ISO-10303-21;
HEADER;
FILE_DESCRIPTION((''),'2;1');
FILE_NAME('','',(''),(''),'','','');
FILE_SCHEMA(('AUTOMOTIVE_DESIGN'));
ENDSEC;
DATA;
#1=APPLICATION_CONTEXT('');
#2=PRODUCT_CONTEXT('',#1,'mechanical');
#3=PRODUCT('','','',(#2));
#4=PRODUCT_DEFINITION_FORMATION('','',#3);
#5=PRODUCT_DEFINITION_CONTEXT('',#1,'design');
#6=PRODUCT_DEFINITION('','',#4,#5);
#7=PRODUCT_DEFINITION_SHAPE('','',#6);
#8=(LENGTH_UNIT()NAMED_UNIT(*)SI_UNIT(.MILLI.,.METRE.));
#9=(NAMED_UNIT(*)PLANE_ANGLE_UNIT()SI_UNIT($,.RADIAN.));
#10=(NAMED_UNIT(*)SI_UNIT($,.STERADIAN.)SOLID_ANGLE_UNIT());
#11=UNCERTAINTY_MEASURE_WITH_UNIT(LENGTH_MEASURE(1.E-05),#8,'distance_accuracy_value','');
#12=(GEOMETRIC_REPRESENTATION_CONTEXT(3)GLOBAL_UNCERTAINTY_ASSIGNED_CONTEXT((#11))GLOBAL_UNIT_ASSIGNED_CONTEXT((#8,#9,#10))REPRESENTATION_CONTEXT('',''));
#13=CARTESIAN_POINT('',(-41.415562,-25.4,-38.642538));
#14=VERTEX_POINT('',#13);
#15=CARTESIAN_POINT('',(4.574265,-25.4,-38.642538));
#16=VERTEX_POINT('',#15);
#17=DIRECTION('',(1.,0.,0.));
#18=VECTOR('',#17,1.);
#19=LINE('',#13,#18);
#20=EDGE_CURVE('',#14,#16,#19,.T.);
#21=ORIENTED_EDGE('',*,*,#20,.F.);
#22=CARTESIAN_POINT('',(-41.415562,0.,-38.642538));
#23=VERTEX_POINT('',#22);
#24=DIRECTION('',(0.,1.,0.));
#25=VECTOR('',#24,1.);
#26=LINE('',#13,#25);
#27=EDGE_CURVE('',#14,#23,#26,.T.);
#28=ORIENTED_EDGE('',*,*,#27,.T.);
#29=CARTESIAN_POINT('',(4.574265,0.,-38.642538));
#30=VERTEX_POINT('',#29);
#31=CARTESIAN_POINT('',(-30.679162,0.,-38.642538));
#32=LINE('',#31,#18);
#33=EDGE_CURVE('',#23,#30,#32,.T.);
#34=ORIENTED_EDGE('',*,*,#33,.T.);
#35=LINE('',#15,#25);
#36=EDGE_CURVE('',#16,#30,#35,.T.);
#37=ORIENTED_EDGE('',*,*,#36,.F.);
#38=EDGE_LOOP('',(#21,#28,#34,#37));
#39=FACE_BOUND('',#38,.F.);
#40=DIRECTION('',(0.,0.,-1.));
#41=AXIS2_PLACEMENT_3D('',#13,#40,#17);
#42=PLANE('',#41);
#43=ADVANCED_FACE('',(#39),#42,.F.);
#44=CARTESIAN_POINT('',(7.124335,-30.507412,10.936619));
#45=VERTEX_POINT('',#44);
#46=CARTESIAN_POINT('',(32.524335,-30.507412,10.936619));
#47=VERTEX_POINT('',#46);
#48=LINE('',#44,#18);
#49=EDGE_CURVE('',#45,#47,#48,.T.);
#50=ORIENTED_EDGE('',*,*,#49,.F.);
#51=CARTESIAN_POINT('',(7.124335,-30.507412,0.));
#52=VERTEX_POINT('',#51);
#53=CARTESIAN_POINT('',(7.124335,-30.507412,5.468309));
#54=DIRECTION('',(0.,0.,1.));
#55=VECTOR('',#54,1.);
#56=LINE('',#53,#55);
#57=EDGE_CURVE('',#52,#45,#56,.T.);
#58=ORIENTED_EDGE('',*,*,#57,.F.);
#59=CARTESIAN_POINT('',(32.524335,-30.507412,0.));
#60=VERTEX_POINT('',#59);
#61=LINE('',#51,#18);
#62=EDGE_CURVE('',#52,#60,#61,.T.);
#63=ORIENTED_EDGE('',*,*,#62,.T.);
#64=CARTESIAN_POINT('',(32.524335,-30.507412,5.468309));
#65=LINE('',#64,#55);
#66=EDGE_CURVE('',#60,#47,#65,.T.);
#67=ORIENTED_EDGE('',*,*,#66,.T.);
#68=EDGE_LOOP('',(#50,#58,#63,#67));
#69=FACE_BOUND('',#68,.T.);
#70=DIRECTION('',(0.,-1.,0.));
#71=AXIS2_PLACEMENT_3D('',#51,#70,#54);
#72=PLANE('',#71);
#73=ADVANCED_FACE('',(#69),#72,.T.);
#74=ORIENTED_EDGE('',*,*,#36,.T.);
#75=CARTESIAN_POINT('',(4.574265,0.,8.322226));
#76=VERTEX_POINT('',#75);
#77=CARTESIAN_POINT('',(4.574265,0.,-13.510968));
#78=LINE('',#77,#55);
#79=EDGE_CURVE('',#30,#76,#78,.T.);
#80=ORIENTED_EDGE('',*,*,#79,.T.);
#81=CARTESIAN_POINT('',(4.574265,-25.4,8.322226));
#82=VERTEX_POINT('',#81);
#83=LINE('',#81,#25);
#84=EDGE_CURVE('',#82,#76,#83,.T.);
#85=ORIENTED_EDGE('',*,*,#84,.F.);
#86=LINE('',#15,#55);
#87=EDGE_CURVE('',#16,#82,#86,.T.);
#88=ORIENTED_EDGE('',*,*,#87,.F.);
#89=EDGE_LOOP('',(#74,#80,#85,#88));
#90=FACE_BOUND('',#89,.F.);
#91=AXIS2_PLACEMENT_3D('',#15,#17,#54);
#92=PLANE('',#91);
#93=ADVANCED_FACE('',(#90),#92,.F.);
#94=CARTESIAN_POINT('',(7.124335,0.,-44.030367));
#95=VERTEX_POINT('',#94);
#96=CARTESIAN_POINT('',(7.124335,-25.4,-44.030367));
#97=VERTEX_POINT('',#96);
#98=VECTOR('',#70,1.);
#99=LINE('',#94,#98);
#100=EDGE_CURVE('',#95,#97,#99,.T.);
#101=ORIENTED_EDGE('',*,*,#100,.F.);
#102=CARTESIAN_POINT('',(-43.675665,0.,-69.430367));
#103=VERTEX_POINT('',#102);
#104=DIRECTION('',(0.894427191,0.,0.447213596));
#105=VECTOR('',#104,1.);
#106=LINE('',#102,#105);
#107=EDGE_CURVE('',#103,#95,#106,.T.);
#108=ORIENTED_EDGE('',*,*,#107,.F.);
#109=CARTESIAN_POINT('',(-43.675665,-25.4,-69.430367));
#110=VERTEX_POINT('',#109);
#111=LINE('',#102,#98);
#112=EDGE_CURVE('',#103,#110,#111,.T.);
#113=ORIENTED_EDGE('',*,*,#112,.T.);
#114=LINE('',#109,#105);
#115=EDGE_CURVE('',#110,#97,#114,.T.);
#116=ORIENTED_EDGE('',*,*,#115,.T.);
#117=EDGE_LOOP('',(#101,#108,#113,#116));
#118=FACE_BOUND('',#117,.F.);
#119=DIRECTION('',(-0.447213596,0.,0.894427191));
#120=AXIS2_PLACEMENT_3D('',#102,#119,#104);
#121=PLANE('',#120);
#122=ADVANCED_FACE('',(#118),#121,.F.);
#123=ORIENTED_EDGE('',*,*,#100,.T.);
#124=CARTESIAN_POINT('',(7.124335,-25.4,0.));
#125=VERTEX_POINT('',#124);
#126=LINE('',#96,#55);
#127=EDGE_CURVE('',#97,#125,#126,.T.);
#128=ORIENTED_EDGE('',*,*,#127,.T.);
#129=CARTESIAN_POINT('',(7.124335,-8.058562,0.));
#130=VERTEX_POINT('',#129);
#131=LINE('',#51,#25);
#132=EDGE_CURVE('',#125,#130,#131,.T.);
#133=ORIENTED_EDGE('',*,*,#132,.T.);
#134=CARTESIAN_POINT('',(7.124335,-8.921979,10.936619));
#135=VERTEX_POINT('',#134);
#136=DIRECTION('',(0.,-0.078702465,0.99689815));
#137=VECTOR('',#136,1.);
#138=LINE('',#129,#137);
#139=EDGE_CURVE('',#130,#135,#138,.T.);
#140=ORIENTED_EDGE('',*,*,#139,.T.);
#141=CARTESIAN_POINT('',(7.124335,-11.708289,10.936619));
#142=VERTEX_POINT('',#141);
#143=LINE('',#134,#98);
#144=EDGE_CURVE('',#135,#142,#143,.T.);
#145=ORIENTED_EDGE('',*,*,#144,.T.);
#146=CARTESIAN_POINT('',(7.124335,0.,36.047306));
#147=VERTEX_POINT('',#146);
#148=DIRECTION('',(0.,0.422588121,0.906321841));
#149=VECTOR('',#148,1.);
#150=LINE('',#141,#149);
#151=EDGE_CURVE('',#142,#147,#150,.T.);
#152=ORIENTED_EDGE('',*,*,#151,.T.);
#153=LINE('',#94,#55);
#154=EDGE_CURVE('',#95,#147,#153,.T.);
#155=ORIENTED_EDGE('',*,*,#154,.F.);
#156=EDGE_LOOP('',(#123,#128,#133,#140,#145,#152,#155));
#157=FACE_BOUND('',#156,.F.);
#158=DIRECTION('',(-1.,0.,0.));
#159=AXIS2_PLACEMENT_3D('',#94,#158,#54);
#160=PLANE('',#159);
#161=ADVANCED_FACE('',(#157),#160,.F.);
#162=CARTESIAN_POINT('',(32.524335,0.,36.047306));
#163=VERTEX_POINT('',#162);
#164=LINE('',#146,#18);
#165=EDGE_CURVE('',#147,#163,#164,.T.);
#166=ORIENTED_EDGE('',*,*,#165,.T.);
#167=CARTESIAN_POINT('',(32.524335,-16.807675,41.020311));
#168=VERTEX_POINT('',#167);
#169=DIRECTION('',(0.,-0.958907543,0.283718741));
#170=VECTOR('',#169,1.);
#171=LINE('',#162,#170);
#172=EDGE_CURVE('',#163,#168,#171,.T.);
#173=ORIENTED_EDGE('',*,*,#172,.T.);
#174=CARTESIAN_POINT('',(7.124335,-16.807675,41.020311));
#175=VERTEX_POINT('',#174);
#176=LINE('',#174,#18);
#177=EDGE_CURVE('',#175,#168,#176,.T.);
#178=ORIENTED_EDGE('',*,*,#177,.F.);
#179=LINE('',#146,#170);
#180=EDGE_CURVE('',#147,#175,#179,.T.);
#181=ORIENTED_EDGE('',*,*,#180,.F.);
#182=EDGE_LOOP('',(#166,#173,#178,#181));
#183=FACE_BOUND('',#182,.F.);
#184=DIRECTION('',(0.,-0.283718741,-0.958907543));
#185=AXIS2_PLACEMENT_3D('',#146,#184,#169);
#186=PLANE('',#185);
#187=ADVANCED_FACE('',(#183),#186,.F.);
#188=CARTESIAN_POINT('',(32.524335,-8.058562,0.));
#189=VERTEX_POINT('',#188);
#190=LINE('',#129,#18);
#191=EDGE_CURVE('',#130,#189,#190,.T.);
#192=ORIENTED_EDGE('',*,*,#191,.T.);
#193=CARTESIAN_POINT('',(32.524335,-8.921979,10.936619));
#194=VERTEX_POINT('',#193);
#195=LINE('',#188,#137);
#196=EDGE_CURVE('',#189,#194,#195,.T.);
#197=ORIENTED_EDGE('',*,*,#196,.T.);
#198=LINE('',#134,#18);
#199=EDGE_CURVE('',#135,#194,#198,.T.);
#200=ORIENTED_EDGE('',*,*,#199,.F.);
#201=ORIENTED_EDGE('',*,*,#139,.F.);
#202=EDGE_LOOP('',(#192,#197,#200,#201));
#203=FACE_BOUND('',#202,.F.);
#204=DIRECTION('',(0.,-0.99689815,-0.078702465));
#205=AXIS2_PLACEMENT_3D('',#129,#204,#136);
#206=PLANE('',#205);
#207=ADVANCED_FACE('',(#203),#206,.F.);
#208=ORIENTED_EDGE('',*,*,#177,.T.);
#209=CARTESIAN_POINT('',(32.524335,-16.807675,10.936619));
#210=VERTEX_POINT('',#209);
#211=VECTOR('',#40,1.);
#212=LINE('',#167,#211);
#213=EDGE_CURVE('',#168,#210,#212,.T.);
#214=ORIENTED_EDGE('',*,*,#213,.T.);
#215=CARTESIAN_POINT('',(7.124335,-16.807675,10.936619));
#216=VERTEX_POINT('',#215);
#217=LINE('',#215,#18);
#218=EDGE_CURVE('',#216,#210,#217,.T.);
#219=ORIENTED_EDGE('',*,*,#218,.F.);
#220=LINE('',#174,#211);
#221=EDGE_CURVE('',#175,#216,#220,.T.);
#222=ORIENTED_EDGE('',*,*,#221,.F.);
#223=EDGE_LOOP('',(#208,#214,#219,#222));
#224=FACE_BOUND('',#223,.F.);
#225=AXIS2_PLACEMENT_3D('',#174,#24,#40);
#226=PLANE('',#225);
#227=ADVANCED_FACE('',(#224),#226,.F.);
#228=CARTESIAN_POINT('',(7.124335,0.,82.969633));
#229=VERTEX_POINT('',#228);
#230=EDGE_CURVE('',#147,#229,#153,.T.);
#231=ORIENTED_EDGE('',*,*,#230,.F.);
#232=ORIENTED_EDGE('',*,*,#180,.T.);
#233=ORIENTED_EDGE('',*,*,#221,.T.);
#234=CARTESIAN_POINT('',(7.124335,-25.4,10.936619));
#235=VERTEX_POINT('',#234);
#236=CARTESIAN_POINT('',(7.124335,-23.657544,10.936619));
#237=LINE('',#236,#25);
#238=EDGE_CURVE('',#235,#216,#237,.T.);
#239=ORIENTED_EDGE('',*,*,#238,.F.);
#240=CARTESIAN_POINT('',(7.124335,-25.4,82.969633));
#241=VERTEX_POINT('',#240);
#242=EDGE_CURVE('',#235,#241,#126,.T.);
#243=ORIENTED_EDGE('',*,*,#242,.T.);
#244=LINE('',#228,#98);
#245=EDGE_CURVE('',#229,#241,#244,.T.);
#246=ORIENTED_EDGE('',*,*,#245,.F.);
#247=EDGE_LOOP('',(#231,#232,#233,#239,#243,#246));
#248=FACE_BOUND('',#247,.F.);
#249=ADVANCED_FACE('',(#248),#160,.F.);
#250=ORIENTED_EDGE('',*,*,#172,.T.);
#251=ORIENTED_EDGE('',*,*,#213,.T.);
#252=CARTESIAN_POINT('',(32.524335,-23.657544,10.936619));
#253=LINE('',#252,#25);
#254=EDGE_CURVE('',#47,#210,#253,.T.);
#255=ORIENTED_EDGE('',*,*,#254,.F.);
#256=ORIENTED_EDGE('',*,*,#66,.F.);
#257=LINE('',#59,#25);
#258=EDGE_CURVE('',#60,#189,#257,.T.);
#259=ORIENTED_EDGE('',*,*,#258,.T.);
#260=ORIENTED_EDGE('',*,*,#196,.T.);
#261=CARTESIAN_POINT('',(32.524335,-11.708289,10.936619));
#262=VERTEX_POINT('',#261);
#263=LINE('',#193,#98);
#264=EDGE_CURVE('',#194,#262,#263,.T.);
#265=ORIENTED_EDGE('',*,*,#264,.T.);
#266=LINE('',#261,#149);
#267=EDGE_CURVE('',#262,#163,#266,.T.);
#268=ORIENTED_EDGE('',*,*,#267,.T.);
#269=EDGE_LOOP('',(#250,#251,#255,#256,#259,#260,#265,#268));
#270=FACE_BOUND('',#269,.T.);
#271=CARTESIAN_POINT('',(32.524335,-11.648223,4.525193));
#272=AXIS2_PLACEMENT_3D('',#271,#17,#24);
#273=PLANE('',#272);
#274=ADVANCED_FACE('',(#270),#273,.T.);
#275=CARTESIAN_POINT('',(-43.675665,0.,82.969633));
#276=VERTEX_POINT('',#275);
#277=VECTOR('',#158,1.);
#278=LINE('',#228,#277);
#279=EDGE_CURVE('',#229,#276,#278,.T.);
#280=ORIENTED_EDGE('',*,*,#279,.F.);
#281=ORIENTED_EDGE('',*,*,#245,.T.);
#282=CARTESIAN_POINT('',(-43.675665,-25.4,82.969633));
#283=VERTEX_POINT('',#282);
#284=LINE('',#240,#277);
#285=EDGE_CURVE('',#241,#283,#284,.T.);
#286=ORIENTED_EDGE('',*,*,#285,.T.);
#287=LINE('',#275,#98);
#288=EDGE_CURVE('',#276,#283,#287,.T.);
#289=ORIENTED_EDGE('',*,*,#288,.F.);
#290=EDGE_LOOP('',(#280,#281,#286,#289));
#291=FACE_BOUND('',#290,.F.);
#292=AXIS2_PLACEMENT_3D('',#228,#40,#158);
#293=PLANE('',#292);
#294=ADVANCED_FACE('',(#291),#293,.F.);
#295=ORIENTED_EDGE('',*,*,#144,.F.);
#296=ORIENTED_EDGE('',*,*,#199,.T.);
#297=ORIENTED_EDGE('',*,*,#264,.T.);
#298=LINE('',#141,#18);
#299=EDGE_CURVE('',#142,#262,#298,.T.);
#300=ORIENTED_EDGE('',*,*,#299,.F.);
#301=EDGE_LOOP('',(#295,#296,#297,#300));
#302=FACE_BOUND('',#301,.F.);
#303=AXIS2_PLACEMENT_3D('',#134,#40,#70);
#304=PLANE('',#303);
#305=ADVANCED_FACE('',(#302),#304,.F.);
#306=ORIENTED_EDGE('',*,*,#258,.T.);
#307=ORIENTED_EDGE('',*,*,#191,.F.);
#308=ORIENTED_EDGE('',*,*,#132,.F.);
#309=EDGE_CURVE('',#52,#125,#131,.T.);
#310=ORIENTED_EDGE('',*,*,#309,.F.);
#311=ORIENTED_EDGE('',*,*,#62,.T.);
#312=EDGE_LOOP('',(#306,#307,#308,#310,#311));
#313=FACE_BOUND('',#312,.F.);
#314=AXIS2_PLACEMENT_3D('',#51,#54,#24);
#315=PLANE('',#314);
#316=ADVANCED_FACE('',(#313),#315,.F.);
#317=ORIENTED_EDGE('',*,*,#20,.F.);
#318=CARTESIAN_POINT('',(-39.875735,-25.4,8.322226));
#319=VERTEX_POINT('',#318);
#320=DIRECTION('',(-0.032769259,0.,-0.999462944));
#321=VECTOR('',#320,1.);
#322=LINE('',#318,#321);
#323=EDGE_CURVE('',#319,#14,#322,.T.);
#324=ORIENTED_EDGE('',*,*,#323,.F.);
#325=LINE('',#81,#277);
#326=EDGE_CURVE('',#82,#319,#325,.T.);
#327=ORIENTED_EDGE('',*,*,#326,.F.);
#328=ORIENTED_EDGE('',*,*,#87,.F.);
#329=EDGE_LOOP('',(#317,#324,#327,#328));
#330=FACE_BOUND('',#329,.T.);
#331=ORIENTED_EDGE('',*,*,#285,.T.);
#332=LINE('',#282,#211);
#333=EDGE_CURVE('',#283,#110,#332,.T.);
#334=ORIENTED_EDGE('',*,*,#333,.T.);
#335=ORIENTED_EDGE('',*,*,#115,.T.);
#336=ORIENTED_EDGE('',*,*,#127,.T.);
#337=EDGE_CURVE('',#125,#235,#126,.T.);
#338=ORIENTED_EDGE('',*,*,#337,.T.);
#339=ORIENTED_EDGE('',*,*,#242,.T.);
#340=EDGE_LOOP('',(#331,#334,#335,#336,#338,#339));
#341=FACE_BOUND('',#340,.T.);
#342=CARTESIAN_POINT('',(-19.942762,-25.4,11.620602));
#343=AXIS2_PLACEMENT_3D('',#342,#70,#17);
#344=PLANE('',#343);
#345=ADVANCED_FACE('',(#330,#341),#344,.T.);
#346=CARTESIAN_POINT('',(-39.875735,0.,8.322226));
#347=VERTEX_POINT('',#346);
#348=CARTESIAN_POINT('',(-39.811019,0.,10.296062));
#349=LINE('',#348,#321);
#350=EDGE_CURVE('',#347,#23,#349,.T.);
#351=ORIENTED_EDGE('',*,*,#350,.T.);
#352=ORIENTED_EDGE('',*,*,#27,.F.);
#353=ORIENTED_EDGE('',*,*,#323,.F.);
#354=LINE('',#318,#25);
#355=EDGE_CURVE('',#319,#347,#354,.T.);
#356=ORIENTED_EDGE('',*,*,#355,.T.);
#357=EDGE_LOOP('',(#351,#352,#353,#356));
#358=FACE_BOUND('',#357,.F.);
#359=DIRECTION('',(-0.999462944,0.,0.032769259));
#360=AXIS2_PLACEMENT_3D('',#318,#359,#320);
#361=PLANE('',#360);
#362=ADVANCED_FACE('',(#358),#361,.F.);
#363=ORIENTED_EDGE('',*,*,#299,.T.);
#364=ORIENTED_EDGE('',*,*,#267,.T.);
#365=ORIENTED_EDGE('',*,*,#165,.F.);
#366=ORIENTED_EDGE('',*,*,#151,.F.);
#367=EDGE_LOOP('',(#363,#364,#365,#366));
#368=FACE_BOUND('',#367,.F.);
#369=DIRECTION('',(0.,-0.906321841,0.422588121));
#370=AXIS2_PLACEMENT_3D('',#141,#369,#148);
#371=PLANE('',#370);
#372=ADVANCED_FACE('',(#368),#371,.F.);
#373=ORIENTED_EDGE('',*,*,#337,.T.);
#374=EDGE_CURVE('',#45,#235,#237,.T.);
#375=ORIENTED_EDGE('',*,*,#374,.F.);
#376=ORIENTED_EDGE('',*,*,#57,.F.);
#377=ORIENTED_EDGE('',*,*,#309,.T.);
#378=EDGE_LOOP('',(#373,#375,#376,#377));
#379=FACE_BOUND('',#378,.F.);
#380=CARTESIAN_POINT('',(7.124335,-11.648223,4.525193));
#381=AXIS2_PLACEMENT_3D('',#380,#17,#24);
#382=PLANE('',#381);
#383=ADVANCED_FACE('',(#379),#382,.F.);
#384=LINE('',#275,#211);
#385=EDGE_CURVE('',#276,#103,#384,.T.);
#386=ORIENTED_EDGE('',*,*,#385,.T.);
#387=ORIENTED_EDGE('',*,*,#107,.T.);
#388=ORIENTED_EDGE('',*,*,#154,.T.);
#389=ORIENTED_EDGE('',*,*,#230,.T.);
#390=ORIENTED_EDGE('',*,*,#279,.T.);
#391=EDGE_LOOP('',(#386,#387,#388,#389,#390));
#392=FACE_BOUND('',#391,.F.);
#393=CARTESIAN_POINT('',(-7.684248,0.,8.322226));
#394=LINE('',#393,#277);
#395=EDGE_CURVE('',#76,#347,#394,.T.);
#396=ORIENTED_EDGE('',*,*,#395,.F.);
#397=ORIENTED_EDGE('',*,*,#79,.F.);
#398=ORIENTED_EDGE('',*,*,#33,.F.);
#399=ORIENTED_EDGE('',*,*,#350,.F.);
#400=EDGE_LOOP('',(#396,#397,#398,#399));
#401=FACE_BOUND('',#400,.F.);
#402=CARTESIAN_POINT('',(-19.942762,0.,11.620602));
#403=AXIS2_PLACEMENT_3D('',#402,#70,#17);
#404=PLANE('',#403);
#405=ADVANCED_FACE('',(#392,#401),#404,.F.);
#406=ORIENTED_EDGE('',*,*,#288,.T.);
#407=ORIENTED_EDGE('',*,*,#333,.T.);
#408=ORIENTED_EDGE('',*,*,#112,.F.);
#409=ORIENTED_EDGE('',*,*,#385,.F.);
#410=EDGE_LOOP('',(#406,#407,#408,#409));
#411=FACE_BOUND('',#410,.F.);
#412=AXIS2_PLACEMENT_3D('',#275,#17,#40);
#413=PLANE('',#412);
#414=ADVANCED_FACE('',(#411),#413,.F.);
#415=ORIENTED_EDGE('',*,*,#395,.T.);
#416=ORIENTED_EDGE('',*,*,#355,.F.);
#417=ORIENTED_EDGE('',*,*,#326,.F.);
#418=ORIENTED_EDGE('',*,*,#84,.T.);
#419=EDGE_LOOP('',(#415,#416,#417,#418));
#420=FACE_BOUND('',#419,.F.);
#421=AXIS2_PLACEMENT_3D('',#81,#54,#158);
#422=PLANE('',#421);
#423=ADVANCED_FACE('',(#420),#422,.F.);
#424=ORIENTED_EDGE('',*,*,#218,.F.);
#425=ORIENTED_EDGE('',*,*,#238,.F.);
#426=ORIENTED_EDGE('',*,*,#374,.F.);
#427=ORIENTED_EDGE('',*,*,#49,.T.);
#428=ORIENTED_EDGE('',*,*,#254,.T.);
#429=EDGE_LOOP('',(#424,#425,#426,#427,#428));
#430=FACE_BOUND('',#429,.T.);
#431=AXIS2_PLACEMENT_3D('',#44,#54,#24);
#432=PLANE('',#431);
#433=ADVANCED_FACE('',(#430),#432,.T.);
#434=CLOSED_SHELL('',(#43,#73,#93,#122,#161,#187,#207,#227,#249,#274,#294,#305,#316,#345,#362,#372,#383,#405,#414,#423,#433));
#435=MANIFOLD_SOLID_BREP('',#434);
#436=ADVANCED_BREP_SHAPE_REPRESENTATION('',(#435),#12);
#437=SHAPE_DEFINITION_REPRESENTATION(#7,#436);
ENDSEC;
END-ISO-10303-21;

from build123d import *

# Parameters (mm, degrees)
F2_DEPTH = 25.4
F3_W     = 13.6997364461
F3_H     = 10.9366187826
F4_DEPTH = 25.4
F7_DEPTH = 50.8


with BuildPart() as f2:
    # F0 (on Front) → F2 (new body)
    with BuildSketch(Plane.XZ):
        Polygon((-43.6756652357, 82.9696333554), (-43.6756652357, -69.4303666446), (7.1243347643, -44.0303666446), (7.1243347643, 82.9696333554), align=None)
    extrude(amount=F2_DEPTH)

    # F3 (on face) → F4 (join)
    with BuildSketch(Plane.YZ.offset(7.1243347643)):
        Polygon((-8.0585619435, 0), (-8.9219789952, 10.9366187826), (-11.7082890579, 10.9366187826), (-16.8076753616, 0), align=None)
        Polygon((-16.8076753616, 0), (-11.7082890579, 10.9366187826), (-16.8076753616, 10.9366187826), align=None)
        Polygon((-16.8076753616, 10.9366187826), (-11.7082890579, 10.9366187826), (0, 36.0473059118), (-16.8076753616, 41.0203114152), align=None)
        with Locations((-23.6575435847, 5.4683093913)):
            Rectangle(F3_W, F3_H)
    extrude(amount=F4_DEPTH)

    # F6 (on face) → F7 (cut)
    with BuildSketch(Plane.XZ.offset(25.4)):
        Polygon((4.574265326, 8.322226192), (-39.875734674, 8.322226192), (-41.4155621324, -38.6425375293), (4.574265326, -38.6425375293), align=None)
    extrude(amount=-F7_DEPTH, mode=Mode.SUBTRACT)


solid = f2.part
